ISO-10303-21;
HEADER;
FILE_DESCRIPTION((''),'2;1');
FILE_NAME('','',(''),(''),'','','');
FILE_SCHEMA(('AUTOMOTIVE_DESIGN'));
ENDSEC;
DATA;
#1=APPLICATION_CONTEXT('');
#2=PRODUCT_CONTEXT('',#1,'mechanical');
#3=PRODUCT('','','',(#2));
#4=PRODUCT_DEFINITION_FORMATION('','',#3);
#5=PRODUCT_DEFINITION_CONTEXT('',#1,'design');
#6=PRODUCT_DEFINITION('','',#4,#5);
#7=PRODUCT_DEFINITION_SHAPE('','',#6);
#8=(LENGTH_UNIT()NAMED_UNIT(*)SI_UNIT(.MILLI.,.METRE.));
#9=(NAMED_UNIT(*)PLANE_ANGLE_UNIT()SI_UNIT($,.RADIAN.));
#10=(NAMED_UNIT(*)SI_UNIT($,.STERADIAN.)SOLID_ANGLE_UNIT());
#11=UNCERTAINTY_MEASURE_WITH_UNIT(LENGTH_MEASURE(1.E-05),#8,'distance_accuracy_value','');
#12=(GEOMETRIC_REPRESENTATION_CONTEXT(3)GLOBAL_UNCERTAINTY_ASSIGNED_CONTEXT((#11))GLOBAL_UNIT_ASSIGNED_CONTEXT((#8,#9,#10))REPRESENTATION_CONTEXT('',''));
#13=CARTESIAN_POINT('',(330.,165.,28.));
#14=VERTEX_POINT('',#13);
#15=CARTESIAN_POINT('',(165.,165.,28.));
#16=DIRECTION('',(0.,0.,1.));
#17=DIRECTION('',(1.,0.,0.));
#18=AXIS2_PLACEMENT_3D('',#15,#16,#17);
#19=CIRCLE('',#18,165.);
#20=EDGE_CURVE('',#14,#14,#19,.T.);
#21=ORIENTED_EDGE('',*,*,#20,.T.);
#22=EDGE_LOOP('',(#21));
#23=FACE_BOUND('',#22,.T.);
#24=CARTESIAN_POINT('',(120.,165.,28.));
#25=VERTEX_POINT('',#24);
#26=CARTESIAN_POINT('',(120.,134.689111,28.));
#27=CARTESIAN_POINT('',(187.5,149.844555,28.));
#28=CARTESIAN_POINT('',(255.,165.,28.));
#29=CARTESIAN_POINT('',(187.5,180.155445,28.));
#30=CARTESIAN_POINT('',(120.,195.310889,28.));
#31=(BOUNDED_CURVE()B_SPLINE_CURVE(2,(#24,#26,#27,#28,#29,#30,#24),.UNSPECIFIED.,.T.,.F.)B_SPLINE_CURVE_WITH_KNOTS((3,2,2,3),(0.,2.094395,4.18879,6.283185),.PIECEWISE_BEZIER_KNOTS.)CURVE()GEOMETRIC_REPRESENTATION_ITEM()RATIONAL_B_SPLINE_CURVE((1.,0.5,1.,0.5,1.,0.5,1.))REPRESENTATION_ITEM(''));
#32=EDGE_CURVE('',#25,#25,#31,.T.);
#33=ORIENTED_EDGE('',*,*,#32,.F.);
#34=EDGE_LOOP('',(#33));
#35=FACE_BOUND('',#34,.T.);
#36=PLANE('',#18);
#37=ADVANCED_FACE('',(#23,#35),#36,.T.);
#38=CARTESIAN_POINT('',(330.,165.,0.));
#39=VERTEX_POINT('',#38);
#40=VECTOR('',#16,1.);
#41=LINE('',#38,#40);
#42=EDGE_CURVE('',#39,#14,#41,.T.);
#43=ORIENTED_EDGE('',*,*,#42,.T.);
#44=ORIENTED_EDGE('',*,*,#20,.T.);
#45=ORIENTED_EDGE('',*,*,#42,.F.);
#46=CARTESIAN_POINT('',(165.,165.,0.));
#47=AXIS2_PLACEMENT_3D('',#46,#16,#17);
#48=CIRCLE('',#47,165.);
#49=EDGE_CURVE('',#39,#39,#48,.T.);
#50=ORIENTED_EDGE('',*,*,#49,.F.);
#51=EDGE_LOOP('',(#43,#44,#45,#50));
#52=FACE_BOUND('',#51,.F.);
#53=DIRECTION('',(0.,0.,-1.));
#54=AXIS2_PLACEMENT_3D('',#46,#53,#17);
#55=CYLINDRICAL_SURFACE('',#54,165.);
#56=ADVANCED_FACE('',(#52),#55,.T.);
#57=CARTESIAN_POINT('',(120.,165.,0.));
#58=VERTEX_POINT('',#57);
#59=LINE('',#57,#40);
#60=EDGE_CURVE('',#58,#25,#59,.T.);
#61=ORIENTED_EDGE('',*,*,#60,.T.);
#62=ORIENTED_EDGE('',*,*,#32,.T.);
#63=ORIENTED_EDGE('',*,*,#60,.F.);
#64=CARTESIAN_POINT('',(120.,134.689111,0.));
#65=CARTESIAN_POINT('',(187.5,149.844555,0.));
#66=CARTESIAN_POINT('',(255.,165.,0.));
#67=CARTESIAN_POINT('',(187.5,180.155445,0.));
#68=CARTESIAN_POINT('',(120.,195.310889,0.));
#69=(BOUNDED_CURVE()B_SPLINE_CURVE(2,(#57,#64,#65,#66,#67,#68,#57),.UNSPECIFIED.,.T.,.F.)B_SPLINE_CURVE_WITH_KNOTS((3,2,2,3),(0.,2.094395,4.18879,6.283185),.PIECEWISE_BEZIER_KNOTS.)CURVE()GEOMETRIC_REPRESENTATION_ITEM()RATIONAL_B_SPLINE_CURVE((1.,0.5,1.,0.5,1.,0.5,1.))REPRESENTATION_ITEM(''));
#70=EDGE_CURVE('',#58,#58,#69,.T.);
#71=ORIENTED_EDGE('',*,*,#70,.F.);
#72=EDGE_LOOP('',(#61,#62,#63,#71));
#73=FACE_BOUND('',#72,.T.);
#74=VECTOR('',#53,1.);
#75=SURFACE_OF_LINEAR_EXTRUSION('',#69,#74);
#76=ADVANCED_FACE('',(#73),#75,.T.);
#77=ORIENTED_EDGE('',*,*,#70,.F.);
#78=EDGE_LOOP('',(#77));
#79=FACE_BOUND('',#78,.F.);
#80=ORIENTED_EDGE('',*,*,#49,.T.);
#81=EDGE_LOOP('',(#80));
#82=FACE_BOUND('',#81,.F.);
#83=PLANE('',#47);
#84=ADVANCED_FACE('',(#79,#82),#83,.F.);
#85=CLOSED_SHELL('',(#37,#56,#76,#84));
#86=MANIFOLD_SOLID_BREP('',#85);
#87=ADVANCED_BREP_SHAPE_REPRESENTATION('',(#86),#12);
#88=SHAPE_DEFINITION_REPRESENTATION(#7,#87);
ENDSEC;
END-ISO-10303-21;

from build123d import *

# Parameters (mm, degrees)
F0_R     = 165
F1_DEPTH = 28


with BuildPart() as f1:
    # F0 (on Top) → F1 (new body)
    with BuildSketch(Plane.XY):
        with Locations((165, 165)):
            Circle(F0_R)
        with BuildLine():
            add(Edge.make_bspline(
                [(120, 165), (120, 134.689111), (187.5, 149.844555), (255, 165), (187.5, 180.155445), (120, 195.310889), (120, 165)],
                knots=[0, 0, 0, 2.094395, 2.094395, 4.18879, 4.18879, 6.283185, 6.283185, 6.283185], degree=2, weights=[1, 0.5, 1, 0.5, 1, 0.5, 1]))
        make_face(mode=Mode.SUBTRACT)
    extrude(amount=F1_DEPTH)


solid = f1.part
